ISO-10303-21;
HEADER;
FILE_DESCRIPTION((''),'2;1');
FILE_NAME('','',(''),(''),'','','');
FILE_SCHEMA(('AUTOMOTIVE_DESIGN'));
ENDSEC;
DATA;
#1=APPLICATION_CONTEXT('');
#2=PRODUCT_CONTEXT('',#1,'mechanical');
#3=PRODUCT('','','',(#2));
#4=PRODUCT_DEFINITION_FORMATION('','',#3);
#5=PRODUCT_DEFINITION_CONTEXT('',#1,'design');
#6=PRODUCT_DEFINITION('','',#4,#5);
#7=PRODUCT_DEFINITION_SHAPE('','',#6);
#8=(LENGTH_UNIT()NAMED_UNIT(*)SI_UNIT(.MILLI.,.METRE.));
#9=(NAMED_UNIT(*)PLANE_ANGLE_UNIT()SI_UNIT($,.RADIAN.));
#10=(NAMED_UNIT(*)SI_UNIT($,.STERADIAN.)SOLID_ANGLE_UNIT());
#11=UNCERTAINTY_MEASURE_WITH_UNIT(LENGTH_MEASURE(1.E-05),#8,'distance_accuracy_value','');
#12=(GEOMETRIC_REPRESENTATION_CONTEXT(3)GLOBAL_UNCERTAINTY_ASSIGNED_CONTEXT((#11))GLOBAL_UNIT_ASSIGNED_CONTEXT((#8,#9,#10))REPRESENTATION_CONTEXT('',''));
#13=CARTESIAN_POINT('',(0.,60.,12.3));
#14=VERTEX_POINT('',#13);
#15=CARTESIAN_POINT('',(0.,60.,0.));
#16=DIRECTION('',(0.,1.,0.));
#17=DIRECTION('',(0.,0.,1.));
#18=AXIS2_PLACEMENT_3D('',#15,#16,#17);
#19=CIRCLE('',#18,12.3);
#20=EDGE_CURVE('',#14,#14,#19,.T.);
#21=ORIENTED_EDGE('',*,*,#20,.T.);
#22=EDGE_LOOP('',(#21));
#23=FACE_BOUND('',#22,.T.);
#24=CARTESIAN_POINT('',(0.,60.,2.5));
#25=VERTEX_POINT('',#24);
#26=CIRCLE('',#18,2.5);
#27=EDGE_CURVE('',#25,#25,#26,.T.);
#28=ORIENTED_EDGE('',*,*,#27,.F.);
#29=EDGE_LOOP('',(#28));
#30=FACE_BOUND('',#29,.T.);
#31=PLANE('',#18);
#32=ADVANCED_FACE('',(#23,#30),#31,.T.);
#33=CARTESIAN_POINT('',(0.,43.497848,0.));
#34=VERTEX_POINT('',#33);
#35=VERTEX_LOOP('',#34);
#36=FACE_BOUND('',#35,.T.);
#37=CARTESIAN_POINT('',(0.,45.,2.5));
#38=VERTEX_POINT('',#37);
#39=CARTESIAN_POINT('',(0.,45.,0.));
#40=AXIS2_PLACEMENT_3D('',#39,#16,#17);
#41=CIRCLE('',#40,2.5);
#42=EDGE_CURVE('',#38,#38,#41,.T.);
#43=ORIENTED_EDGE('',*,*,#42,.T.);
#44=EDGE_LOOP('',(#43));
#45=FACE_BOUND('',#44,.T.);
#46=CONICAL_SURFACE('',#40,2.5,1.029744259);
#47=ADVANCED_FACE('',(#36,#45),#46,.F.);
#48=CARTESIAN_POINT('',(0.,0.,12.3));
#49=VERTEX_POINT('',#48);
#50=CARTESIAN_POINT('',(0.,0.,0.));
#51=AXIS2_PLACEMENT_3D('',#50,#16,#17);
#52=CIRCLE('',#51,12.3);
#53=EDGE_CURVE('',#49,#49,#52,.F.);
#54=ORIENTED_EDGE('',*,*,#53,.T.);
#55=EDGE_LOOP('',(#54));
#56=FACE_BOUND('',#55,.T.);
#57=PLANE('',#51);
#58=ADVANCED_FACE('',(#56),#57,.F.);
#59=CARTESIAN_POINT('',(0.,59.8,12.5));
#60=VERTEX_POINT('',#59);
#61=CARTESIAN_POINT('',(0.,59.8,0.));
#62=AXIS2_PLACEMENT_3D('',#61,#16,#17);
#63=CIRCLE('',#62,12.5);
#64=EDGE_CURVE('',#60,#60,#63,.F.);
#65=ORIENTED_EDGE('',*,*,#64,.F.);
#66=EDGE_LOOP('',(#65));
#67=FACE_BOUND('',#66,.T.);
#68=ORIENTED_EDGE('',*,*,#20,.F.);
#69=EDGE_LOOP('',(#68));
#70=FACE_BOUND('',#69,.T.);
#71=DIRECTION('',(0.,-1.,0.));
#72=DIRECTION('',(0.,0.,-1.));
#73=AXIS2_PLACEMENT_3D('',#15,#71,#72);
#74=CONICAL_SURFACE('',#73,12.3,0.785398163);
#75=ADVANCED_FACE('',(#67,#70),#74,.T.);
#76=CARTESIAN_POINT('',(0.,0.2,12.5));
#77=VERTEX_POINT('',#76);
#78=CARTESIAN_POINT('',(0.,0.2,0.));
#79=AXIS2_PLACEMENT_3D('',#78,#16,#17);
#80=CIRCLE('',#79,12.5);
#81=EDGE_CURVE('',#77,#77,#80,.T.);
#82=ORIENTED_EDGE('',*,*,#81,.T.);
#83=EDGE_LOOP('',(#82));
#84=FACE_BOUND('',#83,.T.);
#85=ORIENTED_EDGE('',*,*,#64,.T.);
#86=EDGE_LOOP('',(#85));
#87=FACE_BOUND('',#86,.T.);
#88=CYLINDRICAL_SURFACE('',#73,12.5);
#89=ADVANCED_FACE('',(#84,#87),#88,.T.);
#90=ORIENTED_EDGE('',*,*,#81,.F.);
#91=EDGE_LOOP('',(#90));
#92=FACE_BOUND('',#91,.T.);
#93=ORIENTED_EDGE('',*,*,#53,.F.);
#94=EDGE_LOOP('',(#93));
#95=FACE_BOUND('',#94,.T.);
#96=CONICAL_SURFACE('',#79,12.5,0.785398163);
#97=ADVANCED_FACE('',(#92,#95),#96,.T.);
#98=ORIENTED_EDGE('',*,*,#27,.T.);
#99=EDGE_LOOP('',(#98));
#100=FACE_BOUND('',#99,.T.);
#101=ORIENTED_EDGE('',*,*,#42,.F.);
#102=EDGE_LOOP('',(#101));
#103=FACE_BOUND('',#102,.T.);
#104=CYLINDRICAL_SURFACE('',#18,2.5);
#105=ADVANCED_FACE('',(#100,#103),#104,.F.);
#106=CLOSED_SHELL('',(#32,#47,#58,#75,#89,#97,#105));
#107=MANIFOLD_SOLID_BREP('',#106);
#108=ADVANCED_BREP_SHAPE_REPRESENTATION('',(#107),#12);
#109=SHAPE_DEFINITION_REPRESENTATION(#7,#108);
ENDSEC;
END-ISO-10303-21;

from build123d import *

# Parameters (mm, degrees)
SKETCH_1_R             = 12.5
EXTRUDE_1_DEPTH        = 60
HOLE_WIZARD_M6_1_D     = 5
HOLE_WIZARD_M6_1_DEPTH = 15
HOLE_WIZARD_M6_1_TIP   = 1.502151548
CHAMFER_1_SIZE         = 0.2


with BuildPart() as part:
    # 草图1 → 凸台-拉伸1 (new body)
    with BuildSketch(Plane(origin=(0, 0, 0), x_dir=(1, 0, 0), z_dir=(0, 1, 0))):
        with Locations(Location((0, 0, 0), (0, 0, 270))):
            Circle(SKETCH_1_R)
    extrude(amount=EXTRUDE_1_DEPTH)

    # M6 螺纹孔1
    with Locations(Plane(origin=(0, 60, 0), x_dir=(1, 0, 0), z_dir=(0, 1, 0))):
        with Locations((0, 0)):
            Hole(HOLE_WIZARD_M6_1_D / 2, depth=HOLE_WIZARD_M6_1_DEPTH)
            with Locations((0, 0, -(HOLE_WIZARD_M6_1_DEPTH + HOLE_WIZARD_M6_1_TIP / 2))):  # 118° drill point
                Cone(0, HOLE_WIZARD_M6_1_D / 2, HOLE_WIZARD_M6_1_TIP, mode=Mode.SUBTRACT)

    # 倒角1
    chamfer_1_edges = [part.edges().sort_by_distance(p)[0] for p in [
        (0, 0, -12.5),
        (0, 60, -12.5),
    ]]
    chamfer(chamfer_1_edges, length=CHAMFER_1_SIZE)


solid = part.part
